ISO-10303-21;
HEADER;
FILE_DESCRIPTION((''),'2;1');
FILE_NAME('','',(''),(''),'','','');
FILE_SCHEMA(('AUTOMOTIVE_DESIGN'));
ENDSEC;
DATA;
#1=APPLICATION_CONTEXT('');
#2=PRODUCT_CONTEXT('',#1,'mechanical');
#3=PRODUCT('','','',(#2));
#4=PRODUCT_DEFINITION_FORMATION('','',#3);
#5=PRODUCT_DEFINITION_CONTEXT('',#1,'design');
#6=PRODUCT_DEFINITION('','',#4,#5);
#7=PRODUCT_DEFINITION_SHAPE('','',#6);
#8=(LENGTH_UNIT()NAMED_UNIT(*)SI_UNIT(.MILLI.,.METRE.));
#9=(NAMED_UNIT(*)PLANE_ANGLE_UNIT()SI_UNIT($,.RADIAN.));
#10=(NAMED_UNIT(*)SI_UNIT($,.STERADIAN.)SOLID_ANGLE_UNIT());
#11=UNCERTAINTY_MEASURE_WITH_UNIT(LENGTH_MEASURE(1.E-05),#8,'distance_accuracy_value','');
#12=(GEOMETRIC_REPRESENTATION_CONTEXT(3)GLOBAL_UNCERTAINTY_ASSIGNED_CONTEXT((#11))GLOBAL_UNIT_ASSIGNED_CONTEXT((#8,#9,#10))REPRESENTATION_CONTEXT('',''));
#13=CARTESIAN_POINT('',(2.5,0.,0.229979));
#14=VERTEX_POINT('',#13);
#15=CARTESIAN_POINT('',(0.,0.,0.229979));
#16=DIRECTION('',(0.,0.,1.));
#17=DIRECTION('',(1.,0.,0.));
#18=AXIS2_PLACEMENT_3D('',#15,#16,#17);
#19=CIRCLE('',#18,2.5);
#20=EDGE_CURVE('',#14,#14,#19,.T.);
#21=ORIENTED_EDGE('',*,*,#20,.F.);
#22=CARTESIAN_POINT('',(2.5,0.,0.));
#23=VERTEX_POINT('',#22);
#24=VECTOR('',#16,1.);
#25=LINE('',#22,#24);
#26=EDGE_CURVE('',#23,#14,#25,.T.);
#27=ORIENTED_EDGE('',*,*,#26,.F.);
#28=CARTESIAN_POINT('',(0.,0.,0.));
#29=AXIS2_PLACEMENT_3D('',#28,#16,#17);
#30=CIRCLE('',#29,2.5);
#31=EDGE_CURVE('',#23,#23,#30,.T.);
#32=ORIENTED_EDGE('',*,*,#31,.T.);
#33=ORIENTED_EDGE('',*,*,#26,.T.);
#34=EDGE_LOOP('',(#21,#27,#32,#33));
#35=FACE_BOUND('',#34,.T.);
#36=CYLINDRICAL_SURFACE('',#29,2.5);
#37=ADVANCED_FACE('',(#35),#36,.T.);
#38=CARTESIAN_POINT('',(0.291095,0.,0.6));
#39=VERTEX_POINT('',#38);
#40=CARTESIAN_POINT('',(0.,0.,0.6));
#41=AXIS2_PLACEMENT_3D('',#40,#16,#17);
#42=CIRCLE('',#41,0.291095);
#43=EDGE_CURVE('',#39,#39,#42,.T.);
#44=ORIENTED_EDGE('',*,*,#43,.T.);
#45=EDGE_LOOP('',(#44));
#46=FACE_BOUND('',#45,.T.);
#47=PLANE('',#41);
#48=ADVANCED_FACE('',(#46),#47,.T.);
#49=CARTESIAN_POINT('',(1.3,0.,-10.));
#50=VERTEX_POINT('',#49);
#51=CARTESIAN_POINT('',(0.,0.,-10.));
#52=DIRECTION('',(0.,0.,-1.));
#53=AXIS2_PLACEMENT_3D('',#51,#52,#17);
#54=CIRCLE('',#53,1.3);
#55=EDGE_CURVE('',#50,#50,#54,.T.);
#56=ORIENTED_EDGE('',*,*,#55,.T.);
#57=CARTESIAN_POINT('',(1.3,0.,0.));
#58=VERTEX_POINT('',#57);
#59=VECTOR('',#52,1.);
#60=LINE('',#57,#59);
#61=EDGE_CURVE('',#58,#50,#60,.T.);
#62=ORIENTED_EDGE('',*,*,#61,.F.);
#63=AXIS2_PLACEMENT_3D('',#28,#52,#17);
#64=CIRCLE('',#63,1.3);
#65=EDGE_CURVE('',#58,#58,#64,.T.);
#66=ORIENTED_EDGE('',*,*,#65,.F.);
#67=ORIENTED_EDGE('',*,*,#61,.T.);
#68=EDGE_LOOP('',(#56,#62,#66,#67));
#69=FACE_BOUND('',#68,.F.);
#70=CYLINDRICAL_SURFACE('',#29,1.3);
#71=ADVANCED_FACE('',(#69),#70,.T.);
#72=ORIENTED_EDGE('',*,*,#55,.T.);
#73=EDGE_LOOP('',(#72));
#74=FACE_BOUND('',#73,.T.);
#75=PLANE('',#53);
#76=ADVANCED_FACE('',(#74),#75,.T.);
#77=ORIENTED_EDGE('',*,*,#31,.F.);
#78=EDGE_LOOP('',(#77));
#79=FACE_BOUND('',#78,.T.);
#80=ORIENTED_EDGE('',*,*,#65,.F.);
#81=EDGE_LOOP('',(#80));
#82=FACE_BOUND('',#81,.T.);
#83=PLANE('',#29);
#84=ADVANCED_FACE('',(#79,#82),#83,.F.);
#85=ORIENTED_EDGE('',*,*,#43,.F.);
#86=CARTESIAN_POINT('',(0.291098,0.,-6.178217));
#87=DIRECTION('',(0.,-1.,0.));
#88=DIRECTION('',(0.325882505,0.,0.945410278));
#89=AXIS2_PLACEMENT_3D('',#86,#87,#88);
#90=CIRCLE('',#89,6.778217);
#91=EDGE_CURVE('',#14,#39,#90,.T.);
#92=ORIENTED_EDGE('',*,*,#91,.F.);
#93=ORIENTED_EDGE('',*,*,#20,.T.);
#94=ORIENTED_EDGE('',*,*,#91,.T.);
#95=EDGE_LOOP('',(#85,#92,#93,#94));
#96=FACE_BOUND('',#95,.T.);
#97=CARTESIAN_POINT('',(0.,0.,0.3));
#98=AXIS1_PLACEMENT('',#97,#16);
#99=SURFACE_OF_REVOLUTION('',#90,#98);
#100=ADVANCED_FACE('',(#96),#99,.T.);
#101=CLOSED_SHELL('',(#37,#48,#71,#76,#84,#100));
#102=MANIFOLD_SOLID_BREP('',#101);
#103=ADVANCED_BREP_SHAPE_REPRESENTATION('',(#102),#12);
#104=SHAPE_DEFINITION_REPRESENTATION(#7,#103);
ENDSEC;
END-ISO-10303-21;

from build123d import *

# Parameters (mm, degrees)
F2_R     = 1.3
F3_DEPTH = 10


with BuildPart() as f1:
    # F0 (on Front) → F1 (revolve)
    with BuildSketch(Plane.XZ):
        with BuildLine():
            Line((0, 0.6), (0, 0))
            Line((0, 0), (2.5, 0))
            Line((2.5, 0), (2.5, 0.229979))
            ThreePointArc((2.5, 0.229979), (1.410936, 0.506855), (0.291095, 0.6))
            Line((0.291095, 0.6), (0, 0.6))
        make_face()
    revolve(axis=Axis((0, 0, 0.3), (0, 0, 1)))

    # F2 (on face) → F3 (join)
    with BuildSketch(Plane(origin=(0, 0, 0), x_dir=(1, 0, 0), z_dir=(0, 0, -1))):
        Circle(F2_R)
    extrude(amount=F3_DEPTH)


solid = f1.part
